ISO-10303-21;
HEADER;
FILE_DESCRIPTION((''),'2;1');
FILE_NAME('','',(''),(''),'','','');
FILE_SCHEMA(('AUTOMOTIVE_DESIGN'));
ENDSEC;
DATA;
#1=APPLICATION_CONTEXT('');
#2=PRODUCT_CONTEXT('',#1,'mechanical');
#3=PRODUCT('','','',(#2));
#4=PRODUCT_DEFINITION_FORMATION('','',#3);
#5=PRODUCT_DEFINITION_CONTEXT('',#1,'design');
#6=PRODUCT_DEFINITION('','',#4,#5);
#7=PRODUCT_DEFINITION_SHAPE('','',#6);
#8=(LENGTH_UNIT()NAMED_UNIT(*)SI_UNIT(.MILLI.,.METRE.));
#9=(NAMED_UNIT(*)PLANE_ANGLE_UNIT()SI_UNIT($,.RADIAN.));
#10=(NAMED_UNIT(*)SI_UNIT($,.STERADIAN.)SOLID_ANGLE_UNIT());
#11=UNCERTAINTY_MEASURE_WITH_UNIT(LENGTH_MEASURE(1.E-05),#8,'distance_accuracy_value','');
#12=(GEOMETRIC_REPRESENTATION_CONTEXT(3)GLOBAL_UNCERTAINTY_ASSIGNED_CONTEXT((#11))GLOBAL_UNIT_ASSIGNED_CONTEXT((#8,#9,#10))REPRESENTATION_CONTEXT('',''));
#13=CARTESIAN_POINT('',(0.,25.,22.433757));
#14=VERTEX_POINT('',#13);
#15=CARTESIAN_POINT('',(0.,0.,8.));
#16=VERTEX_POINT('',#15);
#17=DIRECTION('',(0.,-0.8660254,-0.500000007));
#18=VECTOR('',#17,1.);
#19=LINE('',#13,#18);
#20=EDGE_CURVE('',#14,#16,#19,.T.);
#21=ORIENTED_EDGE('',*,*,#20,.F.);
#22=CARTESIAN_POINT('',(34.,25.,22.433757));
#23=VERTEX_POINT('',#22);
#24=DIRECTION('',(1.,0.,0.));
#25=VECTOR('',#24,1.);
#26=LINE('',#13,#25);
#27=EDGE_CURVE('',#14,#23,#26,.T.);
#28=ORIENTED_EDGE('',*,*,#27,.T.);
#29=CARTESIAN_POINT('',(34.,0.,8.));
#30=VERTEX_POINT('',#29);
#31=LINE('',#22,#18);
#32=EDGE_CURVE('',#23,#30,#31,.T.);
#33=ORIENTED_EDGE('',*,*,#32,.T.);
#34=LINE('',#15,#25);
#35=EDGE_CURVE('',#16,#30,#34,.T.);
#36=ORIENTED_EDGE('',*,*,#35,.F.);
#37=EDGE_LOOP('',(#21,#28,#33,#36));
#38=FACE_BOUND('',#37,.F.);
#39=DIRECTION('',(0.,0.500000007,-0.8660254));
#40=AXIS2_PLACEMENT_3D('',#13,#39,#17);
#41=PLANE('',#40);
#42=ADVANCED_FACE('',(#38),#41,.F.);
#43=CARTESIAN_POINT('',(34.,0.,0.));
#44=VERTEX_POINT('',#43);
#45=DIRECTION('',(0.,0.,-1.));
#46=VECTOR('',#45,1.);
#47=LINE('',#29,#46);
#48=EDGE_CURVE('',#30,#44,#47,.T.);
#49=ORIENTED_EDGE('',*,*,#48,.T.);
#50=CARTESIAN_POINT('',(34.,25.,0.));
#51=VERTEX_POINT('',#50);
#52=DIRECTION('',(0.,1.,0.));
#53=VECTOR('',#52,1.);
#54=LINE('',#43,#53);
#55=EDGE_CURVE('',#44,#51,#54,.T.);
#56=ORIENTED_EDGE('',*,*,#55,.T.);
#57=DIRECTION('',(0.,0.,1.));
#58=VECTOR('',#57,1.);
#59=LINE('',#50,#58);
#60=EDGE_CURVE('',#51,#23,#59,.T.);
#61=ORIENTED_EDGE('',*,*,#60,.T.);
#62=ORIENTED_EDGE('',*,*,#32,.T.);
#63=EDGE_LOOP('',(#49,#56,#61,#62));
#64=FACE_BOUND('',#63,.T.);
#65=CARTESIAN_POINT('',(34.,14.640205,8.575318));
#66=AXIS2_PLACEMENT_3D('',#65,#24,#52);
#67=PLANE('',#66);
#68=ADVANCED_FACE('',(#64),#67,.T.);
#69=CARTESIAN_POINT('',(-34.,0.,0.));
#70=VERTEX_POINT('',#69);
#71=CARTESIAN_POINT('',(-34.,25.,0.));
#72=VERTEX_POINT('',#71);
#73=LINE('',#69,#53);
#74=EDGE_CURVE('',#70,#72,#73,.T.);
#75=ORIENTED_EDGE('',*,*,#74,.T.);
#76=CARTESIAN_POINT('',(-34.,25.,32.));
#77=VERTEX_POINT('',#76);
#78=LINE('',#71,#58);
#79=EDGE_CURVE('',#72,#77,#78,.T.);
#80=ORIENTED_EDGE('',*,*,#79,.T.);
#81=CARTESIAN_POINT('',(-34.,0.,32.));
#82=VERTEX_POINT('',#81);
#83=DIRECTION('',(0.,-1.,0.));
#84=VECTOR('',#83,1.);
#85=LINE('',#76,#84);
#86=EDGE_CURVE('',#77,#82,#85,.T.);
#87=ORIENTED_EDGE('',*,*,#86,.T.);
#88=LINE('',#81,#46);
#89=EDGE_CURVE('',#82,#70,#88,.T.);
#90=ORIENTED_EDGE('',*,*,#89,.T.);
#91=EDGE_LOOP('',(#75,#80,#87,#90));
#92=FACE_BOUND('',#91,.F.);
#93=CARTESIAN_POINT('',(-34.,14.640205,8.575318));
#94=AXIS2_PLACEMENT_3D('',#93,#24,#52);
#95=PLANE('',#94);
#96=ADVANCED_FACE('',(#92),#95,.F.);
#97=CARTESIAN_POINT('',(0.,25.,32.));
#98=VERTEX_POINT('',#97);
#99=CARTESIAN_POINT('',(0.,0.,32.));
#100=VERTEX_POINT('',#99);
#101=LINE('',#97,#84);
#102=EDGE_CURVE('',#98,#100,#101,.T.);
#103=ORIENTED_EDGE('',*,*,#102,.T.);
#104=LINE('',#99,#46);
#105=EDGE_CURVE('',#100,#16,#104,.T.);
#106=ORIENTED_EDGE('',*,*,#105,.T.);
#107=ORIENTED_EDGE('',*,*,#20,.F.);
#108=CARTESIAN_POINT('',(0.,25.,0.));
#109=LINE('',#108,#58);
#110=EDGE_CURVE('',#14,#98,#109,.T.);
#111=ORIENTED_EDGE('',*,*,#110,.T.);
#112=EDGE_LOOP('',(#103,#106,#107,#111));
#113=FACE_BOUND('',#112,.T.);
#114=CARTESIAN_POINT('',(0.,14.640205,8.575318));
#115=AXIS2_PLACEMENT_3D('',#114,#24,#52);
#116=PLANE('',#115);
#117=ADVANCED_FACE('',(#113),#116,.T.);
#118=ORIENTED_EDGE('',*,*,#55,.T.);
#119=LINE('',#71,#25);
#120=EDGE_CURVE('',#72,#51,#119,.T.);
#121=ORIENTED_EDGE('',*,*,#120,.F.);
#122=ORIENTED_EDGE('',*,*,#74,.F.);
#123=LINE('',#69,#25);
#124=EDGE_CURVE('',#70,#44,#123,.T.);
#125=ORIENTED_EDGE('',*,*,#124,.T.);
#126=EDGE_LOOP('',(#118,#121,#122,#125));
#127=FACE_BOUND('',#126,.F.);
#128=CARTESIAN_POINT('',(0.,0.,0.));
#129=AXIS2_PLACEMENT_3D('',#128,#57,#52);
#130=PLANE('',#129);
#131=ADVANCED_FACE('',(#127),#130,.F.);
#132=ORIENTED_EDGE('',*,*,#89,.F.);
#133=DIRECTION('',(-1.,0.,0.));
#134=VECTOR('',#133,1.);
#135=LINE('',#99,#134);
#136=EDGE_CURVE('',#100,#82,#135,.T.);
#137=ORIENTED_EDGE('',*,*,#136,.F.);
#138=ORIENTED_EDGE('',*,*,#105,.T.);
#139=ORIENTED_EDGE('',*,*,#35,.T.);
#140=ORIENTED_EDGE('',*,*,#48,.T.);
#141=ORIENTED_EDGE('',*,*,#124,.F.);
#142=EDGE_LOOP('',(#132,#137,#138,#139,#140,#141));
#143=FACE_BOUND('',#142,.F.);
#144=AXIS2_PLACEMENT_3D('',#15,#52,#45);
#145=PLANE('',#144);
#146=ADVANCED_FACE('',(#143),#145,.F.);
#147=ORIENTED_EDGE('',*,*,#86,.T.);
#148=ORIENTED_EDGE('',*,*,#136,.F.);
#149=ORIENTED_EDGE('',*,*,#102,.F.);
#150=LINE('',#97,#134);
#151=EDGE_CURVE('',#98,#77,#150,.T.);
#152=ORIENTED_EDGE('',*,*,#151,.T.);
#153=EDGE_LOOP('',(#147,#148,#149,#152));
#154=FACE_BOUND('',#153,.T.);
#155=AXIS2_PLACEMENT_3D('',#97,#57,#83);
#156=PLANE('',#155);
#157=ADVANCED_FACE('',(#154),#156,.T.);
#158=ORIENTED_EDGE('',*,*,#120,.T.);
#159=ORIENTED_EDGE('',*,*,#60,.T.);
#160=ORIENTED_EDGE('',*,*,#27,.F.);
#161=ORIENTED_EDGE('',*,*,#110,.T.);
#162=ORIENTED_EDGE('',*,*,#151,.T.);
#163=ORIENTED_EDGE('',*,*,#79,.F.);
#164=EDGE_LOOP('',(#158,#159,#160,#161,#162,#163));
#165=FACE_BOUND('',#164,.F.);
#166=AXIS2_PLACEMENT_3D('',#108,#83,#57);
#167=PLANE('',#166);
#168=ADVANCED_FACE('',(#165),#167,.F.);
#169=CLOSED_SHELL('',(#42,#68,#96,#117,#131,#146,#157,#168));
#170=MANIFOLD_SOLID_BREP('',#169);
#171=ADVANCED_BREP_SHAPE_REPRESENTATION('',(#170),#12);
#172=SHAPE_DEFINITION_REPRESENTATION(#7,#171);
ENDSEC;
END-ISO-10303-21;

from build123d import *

# Parameters (mm, degrees)
F1_DEPTH = 34
F2_DEPTH = 34


with BuildPart() as f1:
    # F0 (on Right) → F1 (new body)
    with BuildSketch(Plane.YZ):
        Polygon((0, 8), (0, 0), (25, 0), (25, 22.433757), align=None)
        Polygon((0, 32), (0, 8), (25, 22.433757), (25, 32), align=None)
    extrude(amount=-F1_DEPTH)

    # F0 (on Right) → F2 (join)
    with BuildSketch(Plane.YZ):
        Polygon((0, 8), (0, 0), (25, 0), (25, 22.433757), align=None)
    extrude(amount=F2_DEPTH)


solid = f1.part
